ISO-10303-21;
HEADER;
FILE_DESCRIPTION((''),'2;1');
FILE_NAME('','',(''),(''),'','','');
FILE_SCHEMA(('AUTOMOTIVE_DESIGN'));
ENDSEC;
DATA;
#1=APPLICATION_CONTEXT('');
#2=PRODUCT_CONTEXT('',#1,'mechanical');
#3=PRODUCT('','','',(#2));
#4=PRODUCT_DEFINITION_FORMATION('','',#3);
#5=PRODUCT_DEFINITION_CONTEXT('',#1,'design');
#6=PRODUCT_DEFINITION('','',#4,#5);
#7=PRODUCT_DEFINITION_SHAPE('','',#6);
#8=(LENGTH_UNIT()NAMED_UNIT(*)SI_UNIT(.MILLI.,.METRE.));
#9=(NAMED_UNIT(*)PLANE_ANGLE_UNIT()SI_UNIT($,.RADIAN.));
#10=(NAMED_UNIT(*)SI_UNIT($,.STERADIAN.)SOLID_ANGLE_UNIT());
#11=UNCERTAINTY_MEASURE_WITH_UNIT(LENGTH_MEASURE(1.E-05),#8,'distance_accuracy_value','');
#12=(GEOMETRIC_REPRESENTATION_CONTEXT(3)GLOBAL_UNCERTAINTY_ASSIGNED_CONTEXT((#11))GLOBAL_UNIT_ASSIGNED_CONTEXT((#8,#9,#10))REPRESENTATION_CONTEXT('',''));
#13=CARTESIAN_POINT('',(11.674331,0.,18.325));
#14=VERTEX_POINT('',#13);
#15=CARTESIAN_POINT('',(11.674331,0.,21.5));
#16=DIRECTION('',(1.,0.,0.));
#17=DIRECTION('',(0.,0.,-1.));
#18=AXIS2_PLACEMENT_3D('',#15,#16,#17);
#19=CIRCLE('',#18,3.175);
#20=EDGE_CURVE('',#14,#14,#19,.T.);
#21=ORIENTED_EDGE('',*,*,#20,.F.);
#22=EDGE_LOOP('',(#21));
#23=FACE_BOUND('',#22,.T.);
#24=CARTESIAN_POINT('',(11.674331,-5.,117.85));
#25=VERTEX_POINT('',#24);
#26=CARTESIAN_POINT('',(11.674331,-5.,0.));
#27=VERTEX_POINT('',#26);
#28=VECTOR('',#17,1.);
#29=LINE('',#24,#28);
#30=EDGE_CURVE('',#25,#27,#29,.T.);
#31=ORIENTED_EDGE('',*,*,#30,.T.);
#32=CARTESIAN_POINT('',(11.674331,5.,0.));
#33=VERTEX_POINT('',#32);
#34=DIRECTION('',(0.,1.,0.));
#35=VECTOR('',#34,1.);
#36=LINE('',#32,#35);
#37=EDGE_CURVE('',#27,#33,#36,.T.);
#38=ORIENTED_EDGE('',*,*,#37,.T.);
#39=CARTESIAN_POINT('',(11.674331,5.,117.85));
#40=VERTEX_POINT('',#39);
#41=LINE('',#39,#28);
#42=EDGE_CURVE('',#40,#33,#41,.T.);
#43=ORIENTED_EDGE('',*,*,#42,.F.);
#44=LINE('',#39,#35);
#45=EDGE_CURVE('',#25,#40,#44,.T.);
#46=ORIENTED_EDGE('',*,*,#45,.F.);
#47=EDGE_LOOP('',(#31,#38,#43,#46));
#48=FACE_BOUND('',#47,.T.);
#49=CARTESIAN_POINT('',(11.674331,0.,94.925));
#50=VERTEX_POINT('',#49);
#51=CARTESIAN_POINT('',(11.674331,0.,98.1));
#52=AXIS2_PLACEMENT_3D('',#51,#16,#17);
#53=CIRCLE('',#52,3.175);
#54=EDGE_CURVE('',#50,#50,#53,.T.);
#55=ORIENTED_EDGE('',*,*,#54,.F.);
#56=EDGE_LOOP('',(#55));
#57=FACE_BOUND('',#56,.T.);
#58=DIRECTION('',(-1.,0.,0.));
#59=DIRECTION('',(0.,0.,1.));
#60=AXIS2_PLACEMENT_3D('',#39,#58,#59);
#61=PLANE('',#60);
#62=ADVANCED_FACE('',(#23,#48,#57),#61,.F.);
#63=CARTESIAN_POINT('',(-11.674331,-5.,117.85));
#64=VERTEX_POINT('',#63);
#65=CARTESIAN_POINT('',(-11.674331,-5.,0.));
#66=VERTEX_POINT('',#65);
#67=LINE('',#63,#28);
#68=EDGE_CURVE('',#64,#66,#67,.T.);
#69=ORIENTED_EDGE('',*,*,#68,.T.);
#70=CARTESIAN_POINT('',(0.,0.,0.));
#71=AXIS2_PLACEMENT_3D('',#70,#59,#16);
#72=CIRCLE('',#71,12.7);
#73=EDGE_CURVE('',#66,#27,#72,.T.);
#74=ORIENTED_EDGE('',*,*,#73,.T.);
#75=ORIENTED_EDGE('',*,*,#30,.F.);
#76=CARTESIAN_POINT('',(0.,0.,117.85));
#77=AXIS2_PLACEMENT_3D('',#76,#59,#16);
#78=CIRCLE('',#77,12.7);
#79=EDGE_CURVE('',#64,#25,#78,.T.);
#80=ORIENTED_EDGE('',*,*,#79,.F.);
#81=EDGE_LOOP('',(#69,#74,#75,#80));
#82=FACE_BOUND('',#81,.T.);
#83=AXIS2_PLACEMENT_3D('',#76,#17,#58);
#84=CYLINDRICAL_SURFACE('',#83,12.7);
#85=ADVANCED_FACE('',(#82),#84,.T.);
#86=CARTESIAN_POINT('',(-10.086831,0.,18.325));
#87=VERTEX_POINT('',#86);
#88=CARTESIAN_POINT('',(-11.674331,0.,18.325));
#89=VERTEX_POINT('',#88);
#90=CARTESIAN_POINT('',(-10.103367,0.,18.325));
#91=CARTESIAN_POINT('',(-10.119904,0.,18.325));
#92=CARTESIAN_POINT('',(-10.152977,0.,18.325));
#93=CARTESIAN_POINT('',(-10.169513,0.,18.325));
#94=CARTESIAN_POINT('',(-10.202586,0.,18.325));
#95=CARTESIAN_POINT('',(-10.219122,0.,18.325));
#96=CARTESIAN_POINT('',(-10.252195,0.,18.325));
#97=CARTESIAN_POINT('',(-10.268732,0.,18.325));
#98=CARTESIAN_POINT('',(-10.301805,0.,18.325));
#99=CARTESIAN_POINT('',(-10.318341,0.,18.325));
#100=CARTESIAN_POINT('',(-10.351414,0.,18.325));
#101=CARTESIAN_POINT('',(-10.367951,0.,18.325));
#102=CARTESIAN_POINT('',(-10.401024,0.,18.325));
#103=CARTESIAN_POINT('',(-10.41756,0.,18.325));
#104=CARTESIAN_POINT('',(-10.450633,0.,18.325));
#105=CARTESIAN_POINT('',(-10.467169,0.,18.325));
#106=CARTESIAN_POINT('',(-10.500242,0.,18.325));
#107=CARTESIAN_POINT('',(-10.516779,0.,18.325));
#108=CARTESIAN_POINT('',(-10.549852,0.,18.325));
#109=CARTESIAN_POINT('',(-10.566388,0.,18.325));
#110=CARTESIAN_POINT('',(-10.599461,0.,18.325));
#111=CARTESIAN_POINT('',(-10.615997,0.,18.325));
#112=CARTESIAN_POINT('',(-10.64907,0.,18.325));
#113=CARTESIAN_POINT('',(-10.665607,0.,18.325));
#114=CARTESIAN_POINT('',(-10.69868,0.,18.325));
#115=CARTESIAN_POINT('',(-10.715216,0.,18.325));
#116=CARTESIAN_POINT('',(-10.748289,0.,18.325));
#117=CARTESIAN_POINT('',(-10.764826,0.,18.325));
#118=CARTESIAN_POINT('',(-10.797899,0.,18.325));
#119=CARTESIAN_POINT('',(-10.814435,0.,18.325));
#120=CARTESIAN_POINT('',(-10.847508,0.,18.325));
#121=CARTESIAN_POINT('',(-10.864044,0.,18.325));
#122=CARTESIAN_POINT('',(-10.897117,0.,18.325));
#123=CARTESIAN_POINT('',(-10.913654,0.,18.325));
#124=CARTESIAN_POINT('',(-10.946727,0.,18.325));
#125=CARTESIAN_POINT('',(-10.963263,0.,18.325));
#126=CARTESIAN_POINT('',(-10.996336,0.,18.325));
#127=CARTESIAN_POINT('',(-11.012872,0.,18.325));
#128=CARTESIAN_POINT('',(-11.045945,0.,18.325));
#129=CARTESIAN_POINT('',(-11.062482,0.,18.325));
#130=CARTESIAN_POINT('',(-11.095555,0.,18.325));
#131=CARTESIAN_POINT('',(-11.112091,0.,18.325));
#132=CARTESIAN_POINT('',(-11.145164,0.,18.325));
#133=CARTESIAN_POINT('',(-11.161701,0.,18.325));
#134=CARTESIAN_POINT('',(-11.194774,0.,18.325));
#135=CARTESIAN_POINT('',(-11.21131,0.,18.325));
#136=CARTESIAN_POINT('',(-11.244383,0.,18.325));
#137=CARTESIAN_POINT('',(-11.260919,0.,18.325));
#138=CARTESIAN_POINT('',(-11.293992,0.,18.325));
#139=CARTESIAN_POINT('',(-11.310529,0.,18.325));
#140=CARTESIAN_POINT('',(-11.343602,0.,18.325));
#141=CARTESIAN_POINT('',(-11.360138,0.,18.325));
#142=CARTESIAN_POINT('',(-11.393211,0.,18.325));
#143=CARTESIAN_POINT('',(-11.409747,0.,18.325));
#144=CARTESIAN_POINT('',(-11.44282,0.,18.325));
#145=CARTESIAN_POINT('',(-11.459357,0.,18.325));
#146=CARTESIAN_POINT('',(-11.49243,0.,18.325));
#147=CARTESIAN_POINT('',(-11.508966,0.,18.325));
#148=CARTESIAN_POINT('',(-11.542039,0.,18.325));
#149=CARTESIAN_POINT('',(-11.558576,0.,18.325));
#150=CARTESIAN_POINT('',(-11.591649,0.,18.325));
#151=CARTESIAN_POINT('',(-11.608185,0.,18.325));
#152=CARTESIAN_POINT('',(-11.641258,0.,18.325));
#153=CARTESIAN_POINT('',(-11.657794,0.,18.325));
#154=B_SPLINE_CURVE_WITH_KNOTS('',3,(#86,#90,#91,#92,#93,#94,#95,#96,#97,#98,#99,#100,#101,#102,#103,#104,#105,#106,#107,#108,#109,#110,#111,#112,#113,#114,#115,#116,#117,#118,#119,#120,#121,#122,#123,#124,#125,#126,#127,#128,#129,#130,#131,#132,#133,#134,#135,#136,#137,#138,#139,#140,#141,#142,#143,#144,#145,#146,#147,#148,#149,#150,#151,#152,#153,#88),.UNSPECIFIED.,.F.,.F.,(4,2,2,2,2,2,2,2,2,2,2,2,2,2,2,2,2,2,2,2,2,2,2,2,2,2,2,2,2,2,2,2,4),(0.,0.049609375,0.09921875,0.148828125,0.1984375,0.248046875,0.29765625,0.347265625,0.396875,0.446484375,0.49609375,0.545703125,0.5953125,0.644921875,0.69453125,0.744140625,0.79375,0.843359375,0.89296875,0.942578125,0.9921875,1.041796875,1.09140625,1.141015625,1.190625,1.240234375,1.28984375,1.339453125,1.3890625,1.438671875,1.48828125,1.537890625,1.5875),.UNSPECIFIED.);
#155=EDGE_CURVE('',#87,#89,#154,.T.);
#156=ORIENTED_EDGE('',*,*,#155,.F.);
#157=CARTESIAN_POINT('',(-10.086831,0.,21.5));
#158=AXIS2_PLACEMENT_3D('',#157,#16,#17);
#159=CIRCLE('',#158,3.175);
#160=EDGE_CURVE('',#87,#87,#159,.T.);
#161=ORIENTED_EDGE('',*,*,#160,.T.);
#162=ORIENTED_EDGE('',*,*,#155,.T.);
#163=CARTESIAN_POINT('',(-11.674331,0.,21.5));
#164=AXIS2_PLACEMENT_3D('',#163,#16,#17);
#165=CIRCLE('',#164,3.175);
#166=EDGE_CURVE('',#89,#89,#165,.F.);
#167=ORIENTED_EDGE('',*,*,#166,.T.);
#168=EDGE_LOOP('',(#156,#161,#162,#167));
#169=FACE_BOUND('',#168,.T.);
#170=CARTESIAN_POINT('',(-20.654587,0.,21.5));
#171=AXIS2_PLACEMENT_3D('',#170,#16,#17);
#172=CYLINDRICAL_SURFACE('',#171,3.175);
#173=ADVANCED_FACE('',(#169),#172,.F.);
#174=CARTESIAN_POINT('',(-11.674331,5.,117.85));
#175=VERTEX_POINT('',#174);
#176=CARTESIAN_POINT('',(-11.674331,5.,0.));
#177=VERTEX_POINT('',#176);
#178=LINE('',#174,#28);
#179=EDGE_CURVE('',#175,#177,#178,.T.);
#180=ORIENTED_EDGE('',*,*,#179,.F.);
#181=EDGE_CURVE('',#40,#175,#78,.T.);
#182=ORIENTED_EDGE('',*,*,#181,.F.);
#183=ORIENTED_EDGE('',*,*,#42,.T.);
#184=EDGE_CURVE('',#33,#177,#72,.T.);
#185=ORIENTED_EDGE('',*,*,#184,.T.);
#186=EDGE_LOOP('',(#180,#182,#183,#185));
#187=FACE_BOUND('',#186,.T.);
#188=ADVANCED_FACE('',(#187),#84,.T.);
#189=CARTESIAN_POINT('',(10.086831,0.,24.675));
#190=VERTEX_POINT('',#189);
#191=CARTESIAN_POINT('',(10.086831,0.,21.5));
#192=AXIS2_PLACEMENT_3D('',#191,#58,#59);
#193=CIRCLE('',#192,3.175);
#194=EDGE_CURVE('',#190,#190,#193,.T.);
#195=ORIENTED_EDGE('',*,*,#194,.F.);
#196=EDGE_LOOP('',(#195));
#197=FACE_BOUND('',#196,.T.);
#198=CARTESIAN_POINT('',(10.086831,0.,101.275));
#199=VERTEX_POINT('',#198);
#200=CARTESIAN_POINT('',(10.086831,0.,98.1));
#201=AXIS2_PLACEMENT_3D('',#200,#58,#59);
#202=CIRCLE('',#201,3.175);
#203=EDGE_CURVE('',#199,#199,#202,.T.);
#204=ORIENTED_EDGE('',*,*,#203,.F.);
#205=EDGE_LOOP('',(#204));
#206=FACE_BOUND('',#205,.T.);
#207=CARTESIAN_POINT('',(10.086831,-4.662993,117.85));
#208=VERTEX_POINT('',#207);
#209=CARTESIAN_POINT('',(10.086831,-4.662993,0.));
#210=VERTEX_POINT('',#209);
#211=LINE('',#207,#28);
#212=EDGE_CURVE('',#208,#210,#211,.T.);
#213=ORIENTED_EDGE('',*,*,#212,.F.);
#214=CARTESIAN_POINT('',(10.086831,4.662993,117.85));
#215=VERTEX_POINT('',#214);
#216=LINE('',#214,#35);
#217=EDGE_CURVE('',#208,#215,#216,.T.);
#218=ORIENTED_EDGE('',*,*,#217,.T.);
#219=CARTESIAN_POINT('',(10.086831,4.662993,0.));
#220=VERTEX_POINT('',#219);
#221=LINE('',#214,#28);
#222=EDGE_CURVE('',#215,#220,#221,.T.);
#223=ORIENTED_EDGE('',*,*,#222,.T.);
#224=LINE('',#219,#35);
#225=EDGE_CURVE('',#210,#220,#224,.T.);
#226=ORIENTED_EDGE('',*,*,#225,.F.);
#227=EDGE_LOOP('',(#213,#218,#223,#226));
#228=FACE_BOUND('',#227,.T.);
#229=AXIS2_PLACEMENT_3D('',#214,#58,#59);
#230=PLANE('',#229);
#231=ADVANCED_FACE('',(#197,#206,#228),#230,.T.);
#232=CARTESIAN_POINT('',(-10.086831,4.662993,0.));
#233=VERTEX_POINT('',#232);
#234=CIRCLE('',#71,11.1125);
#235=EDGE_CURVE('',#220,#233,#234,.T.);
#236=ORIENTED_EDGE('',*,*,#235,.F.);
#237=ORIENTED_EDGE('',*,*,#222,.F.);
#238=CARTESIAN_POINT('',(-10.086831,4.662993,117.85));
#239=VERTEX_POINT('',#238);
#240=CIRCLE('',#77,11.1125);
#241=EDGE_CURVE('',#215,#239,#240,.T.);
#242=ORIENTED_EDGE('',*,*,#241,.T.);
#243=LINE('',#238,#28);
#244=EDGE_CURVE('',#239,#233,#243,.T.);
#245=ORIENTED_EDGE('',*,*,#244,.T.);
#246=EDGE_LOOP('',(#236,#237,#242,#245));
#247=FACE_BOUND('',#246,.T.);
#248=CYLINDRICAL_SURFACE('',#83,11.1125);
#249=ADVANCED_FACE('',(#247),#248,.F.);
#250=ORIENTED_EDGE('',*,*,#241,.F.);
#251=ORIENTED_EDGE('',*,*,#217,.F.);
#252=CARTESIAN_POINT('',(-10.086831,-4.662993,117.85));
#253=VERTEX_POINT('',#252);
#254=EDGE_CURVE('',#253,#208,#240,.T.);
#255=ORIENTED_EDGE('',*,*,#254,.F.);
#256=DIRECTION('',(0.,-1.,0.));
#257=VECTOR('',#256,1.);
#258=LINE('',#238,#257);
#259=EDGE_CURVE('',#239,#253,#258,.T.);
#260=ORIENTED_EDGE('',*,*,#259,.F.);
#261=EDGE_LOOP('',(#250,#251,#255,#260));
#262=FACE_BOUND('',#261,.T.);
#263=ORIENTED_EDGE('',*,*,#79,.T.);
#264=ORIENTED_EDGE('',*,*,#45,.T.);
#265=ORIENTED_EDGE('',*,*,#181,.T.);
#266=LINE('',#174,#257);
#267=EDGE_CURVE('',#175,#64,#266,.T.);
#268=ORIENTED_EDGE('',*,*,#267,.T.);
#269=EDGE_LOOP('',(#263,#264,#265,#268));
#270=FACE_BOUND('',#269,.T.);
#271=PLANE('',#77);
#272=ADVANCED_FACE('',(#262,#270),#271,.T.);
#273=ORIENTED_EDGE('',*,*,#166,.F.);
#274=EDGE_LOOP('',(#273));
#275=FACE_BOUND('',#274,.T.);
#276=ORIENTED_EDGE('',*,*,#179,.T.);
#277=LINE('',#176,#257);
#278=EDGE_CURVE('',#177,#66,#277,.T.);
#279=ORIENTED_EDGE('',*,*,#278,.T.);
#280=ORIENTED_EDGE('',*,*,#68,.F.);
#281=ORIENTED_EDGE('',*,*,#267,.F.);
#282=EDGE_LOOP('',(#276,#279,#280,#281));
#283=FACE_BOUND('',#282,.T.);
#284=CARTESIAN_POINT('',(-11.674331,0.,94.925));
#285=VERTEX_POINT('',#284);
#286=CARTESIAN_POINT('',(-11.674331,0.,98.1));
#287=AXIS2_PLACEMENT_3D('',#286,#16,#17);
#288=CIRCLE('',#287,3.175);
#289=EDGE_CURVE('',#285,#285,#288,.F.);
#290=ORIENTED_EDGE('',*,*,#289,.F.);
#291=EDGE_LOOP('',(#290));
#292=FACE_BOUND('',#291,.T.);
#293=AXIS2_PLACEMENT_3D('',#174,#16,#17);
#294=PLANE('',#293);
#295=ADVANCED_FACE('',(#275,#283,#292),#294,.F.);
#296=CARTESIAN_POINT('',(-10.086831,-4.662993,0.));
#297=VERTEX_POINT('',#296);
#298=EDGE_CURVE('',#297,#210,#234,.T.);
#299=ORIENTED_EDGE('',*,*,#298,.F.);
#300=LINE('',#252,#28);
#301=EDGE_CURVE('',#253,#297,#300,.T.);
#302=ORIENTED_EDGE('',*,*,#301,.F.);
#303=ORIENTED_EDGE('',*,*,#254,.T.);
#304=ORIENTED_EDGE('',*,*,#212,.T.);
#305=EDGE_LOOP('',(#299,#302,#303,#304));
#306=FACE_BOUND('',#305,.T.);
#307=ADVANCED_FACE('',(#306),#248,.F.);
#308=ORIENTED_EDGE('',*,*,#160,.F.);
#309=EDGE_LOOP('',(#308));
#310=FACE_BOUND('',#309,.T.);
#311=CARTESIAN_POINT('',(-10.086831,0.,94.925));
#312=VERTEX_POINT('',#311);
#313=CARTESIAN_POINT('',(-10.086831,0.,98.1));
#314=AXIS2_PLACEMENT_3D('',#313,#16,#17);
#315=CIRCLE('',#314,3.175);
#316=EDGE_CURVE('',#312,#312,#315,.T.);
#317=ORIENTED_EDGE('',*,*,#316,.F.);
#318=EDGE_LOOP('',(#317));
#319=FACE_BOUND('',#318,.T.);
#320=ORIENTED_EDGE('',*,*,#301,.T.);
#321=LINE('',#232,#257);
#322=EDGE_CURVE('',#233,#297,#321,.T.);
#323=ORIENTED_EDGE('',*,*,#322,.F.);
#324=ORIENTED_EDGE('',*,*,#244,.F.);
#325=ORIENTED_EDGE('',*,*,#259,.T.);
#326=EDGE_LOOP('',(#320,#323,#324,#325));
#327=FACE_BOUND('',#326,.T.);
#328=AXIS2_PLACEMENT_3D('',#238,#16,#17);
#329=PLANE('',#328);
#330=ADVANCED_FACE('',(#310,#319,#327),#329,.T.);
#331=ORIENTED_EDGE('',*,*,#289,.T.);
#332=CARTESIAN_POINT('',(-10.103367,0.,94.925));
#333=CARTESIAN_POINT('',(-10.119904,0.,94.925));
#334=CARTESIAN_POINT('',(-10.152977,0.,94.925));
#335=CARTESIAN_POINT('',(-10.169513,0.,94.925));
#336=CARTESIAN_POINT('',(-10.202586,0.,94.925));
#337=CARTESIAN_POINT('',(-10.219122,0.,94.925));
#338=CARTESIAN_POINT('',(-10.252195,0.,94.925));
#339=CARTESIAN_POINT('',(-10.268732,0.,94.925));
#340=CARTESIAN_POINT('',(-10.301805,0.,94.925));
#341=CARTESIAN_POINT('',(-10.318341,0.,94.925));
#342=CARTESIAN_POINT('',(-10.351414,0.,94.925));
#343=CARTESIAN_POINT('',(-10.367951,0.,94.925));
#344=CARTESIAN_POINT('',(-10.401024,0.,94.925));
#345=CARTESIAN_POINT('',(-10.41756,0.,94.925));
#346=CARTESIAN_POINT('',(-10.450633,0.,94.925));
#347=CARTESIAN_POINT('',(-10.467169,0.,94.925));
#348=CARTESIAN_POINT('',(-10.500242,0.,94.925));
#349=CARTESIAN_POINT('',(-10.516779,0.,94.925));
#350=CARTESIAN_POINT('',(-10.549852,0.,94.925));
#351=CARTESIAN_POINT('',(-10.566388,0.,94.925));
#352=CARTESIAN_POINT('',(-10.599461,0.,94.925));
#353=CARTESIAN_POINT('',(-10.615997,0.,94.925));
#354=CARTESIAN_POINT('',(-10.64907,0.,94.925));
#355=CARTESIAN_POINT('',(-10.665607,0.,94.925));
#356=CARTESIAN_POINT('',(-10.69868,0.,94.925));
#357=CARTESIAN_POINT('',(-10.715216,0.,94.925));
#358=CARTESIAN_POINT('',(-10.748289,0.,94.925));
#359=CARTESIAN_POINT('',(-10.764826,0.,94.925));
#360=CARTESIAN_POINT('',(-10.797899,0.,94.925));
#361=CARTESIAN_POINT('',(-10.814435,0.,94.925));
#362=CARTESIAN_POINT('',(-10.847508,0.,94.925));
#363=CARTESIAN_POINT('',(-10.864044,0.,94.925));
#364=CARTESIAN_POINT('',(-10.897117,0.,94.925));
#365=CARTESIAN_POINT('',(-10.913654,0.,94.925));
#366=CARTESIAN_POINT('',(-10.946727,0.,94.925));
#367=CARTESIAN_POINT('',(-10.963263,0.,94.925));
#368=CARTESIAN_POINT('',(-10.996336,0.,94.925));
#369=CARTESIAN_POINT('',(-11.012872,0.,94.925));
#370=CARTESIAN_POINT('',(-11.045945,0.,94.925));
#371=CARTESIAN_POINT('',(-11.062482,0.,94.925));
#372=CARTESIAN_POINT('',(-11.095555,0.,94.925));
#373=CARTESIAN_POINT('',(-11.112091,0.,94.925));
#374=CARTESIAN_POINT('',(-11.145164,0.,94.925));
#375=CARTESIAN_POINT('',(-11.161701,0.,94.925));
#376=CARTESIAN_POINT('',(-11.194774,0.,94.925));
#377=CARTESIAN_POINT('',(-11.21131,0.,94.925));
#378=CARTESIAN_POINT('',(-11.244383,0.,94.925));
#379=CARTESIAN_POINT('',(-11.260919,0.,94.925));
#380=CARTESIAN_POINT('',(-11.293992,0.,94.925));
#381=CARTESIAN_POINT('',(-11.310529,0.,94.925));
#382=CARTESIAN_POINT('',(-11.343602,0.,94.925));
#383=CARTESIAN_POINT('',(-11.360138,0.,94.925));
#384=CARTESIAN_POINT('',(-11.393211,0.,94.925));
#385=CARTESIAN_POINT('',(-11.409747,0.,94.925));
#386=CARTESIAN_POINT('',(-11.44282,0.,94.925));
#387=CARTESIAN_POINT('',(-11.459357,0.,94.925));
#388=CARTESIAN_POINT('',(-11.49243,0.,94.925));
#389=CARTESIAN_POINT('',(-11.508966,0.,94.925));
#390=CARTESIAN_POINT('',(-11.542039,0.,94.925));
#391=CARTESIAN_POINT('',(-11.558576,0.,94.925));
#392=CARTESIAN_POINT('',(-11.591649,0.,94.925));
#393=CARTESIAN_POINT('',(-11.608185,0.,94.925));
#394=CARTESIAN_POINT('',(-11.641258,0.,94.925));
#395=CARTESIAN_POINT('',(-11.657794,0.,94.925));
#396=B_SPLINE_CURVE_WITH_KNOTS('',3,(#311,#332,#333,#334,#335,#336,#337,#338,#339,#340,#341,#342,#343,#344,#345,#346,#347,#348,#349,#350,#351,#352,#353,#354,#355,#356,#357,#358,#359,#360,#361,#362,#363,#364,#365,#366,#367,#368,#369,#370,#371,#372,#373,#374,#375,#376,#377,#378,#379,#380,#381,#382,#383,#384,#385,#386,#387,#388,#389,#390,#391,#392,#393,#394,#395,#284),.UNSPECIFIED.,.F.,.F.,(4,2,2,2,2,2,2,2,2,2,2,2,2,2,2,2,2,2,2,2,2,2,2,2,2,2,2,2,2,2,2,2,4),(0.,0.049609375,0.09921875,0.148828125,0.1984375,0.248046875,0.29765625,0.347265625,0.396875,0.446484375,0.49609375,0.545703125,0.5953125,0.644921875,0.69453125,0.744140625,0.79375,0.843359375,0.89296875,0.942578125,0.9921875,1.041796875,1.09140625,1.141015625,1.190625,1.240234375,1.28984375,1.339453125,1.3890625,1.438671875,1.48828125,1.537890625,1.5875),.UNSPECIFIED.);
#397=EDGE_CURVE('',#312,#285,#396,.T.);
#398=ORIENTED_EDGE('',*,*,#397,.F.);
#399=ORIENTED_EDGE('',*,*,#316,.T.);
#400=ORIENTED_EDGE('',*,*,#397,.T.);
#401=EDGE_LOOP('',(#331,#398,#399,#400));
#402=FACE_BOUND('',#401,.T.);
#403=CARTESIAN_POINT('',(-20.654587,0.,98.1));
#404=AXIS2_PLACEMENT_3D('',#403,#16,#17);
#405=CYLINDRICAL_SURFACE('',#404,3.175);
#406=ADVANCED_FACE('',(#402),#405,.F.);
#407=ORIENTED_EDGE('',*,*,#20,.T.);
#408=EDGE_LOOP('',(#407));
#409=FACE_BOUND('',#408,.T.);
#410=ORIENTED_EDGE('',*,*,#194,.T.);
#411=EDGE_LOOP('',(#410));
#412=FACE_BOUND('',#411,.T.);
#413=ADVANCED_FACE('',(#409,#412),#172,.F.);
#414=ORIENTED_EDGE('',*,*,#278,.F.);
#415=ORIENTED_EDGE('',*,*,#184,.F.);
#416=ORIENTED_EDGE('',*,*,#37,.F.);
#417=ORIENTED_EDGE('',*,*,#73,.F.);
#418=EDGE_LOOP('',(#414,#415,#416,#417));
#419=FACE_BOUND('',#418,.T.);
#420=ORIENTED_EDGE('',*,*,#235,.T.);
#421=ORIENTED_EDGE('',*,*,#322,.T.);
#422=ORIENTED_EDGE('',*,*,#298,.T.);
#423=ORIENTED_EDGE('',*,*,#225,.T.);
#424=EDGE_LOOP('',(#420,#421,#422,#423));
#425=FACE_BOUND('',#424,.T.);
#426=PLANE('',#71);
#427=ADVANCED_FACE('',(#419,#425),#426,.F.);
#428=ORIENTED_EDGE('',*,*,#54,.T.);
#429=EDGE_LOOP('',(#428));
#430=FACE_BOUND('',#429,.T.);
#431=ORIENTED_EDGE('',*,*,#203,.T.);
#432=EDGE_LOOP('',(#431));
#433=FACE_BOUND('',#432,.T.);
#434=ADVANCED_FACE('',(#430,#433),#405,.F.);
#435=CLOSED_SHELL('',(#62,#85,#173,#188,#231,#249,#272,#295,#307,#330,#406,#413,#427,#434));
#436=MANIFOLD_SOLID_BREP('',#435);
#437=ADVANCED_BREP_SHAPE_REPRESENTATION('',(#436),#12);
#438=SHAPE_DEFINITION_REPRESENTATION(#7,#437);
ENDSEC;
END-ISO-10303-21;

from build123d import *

# Parameters (mm, degrees)
BOSS_EXTRUDE1_DEPTH = 117.85
CUT_EXTRUDE1_REACH  = 122.81
SKETCH2_R           = 3.175


with BuildPart() as part:
    # Sketch1 → Boss-Extrude1 (new body)
    with BuildSketch(Plane.XY):
        with BuildLine():
            Line((11.674330816, 5), (11.674330816, -5))
            ThreePointArc((11.674330816, -5), (0, -12.7), (-11.674330816, -5))
            Line((-11.674330816, -5), (-11.674330816, 5))
            ThreePointArc((-11.674330816, 5), (0, 12.7), (11.674330816, 5))
        make_face()
        with BuildLine():
            Line((10.086830816, 4.662992638), (10.086830816, -4.662992638))
            ThreePointArc((10.086830816, -4.662992638), (0, -11.1125), (-10.086830816, -4.662992638))
            Line((-10.086830816, -4.662992638), (-10.086830816, 4.662992638))
            ThreePointArc((-10.086830816, 4.662992638), (0, 11.1125), (10.086830816, 4.662992638))
        make_face(mode=Mode.SUBTRACT)
    extrude(amount=BOSS_EXTRUDE1_DEPTH)

    # Cut-Extrude1: up to this face of the body (flat: up to its plane)
    cut_extrude1_end = Plane(part.part.faces().sort_by_distance((-11.674330816, 0, 58.925))[0])
    # Sketch2 → Cut-Extrude1 (cut, up to the picked face)
    with BuildSketch(Plane(origin=(11.674330816, 0, 0), x_dir=(0, 0, -1), z_dir=(1, 0, 0)), mode=Mode.PRIVATE) as cut_extrude1_sk1:
        with Locations((-21.5, 0)):
            Circle(SKETCH2_R)
    cut_extrude1_tool1 = split(extrude(cut_extrude1_sk1.sketch, amount=-CUT_EXTRUDE1_REACH, mode=Mode.PRIVATE), bisect_by=cut_extrude1_end, keep=Keep.BOTH, mode=Mode.PRIVATE)
    # Sketch2 → Cut-Extrude1 (cut, up to the picked face)
    with BuildSketch(Plane(origin=(11.674330816, 0, 0), x_dir=(0, 0, -1), z_dir=(1, 0, 0)), mode=Mode.PRIVATE) as cut_extrude1_sk2:
        with Locations((-98.1, 0)):
            Circle(SKETCH2_R)
    cut_extrude1_tool2 = split(extrude(cut_extrude1_sk2.sketch, amount=-CUT_EXTRUDE1_REACH, mode=Mode.PRIVATE), bisect_by=cut_extrude1_end, keep=Keep.BOTH, mode=Mode.PRIVATE)
    add(cut_extrude1_tool1.solids().sort_by(Axis((11.674331, 0, 21.5), (-1, 0, 0)))[0], mode=Mode.SUBTRACT)
    add(cut_extrude1_tool2.solids().sort_by(Axis((11.674331, 0, 98.1), (-1, 0, 0)))[0], mode=Mode.SUBTRACT)


solid = part.part
